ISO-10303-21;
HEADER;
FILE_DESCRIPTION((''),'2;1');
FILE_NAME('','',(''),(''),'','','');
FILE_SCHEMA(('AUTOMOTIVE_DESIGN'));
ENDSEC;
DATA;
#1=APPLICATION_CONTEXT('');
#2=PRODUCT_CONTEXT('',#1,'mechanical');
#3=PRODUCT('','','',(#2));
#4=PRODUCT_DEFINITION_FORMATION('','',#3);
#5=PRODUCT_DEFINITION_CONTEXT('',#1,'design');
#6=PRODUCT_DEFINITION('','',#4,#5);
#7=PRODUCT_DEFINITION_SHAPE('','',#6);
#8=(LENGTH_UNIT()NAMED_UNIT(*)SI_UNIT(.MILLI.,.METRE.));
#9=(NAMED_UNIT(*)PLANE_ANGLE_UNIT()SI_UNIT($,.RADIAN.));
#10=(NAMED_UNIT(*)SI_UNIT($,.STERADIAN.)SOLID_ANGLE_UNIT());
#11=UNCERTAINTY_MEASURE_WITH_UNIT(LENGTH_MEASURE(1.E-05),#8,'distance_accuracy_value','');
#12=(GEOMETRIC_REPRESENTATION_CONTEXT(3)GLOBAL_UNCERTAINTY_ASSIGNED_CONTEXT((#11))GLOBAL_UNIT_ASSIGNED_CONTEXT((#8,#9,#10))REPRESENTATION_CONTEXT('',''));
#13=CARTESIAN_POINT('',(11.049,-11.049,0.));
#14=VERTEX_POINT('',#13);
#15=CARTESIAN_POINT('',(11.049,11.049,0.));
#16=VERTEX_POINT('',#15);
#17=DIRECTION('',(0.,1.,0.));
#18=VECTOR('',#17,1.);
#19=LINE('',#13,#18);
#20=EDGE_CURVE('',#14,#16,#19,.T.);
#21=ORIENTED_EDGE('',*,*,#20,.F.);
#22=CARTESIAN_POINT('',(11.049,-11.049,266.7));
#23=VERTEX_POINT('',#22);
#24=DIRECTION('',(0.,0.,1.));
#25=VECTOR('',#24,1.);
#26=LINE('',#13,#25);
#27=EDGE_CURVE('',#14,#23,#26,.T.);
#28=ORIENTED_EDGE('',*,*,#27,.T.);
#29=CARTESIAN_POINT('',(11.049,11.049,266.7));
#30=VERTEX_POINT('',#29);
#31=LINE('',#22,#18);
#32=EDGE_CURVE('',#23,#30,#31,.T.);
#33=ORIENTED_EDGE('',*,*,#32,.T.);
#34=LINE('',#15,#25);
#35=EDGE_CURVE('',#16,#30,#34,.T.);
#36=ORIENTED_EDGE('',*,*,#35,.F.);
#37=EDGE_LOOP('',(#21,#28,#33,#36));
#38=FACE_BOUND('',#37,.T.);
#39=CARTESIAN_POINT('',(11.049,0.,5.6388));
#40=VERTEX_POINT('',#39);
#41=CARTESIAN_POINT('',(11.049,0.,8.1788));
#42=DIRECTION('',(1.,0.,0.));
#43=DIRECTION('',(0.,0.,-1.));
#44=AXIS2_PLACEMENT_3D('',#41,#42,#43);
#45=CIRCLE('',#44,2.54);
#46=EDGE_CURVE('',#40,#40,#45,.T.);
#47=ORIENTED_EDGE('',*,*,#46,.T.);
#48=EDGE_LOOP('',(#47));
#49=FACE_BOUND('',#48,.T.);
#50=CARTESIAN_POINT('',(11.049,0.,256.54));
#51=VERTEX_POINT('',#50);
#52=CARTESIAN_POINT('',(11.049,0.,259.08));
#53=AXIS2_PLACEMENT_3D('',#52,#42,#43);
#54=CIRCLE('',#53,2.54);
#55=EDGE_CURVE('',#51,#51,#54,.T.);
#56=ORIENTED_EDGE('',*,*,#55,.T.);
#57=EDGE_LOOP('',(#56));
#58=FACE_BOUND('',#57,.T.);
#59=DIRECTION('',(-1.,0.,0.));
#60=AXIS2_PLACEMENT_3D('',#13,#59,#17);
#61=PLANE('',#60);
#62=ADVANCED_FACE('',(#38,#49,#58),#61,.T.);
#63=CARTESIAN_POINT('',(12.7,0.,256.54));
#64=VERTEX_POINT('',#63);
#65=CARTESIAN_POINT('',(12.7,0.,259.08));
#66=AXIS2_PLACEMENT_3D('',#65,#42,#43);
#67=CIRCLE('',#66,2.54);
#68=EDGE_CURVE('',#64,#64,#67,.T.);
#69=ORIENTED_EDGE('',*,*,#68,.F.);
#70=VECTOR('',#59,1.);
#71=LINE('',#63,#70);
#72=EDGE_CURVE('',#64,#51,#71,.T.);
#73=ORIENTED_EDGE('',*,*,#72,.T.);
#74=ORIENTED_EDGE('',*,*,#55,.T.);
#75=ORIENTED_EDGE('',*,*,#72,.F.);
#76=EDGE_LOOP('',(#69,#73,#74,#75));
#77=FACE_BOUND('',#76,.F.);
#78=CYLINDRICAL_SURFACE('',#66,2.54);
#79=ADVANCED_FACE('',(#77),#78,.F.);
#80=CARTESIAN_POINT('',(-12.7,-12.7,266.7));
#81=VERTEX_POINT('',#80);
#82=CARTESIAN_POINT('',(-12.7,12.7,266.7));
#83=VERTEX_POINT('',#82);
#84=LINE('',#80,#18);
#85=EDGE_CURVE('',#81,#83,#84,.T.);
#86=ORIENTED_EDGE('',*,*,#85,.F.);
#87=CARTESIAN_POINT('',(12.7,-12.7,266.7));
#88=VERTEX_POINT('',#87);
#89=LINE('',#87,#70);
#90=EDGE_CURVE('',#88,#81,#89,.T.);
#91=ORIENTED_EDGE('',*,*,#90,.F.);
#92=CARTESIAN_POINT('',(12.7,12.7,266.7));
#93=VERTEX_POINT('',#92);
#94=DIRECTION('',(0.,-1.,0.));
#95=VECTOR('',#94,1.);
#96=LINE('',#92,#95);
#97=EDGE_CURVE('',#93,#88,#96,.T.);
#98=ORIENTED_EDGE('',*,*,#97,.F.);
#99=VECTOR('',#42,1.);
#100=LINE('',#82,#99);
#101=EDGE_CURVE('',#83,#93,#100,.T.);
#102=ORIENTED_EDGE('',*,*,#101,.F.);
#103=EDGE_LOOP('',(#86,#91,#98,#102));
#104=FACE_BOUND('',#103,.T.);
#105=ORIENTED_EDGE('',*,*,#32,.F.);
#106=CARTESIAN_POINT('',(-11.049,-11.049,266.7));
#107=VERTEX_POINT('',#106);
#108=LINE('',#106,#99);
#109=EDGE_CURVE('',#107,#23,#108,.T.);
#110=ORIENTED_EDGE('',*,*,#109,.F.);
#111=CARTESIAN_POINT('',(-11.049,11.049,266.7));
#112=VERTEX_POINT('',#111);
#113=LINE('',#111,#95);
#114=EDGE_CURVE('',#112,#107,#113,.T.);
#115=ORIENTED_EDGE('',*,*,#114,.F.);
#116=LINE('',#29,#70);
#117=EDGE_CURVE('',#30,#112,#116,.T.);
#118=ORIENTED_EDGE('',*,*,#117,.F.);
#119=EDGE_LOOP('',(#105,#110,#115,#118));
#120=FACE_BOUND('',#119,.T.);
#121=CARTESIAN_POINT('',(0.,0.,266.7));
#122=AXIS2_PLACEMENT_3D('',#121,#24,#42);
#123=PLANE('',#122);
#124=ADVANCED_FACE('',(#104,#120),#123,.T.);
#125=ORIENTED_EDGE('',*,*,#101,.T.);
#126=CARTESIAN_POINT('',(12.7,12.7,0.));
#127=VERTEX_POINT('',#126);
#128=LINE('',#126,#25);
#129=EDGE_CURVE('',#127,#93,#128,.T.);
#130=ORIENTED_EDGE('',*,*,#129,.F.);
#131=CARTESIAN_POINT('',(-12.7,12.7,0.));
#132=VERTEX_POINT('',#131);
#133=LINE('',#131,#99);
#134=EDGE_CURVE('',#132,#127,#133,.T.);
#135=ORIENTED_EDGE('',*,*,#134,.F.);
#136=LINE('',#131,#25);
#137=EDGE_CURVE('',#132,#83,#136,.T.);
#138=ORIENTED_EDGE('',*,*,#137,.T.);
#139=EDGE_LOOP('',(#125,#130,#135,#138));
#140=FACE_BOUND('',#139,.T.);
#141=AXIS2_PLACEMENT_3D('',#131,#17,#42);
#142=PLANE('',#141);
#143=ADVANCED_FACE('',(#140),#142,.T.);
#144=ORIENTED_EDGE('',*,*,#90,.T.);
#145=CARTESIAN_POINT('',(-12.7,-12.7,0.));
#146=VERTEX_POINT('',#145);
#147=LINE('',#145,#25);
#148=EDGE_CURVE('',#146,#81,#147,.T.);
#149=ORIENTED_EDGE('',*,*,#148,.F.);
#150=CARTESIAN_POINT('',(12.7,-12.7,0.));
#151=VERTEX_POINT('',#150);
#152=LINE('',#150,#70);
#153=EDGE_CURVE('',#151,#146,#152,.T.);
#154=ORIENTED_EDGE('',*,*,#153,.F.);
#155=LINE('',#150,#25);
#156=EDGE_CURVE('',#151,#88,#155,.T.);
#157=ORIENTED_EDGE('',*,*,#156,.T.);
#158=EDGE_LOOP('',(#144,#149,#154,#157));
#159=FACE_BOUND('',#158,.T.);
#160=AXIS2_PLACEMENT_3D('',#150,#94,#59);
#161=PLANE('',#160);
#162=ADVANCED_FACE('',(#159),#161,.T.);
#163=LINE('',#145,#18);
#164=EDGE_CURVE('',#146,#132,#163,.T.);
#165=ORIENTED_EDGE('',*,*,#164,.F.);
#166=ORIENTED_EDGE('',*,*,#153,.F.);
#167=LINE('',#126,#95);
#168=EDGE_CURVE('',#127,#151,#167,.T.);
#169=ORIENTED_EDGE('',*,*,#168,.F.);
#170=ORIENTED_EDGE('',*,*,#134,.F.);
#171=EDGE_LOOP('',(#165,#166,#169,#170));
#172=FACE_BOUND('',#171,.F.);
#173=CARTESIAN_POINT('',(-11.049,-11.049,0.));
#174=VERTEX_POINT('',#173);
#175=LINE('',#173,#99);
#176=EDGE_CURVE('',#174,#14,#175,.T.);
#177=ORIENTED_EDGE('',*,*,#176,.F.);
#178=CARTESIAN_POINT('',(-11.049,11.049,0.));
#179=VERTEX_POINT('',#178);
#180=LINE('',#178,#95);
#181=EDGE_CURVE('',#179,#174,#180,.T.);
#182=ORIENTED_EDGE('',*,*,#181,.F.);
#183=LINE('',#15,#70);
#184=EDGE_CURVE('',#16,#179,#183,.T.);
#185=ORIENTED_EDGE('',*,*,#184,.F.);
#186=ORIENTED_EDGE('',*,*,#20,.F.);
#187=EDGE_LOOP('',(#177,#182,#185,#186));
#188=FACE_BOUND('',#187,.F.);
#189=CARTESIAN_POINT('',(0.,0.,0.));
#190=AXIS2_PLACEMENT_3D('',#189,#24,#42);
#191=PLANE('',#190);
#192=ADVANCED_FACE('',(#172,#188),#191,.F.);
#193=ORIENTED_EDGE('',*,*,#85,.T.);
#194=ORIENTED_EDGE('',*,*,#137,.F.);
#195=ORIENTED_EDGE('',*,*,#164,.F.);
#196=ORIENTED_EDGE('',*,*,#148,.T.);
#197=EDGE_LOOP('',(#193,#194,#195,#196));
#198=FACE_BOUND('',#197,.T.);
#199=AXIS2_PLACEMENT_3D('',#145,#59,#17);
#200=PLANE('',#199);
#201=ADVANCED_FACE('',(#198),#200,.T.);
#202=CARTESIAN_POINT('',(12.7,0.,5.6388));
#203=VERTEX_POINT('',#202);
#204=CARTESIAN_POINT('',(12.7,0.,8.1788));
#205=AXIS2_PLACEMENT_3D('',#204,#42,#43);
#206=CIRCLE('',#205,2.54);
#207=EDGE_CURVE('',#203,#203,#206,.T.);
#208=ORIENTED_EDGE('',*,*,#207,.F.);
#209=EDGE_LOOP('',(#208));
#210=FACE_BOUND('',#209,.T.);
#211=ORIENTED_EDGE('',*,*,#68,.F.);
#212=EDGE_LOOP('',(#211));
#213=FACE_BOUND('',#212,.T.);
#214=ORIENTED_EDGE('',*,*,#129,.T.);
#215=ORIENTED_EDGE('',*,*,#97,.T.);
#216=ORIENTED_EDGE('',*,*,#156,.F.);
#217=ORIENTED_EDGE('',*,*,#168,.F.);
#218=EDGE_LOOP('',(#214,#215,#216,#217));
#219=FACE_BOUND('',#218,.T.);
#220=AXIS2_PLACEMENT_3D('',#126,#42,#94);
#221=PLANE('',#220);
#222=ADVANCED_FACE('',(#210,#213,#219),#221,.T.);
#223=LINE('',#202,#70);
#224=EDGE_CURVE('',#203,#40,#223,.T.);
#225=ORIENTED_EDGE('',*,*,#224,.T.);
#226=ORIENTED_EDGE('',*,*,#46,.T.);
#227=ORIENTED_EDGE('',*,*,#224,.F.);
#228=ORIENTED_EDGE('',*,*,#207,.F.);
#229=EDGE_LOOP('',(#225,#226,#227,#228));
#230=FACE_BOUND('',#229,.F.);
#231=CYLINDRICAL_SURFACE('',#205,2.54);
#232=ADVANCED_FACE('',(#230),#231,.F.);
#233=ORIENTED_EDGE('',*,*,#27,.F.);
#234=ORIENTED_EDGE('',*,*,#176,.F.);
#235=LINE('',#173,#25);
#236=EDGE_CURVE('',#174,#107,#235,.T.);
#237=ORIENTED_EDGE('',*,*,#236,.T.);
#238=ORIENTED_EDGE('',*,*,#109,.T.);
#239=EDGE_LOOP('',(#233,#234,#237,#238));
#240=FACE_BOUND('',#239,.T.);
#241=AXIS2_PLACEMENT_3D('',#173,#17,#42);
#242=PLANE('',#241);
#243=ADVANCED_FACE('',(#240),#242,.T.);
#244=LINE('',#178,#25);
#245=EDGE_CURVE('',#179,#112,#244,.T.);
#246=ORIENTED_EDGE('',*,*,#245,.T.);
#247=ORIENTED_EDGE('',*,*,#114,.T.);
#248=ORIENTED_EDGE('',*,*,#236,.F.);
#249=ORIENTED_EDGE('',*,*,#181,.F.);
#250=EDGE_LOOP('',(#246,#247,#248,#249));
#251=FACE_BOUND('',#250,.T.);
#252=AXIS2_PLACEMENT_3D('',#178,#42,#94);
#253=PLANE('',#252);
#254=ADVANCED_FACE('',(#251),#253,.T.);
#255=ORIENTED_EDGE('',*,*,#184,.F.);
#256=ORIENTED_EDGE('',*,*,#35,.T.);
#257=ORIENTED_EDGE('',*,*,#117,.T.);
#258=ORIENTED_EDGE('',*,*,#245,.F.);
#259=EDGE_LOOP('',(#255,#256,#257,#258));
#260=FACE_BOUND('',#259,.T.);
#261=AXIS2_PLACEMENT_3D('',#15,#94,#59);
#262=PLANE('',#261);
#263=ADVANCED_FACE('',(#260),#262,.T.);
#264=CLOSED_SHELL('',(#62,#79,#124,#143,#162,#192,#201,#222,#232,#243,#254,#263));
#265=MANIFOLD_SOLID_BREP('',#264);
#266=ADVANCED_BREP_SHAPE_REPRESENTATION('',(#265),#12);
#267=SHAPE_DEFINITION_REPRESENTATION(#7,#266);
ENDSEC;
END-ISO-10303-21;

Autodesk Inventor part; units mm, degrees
ref_plane "YZ Plane" through (0, 0, 0) normal (1, 0, 0) x (0, 1, 0)
ref_plane "XZ Plane" through (0, 0, 0) normal (0, 1, 0) x (-1, 0, 0)
ref_plane "XY Plane" through (0, 0, 0) normal (0, 0, 1) x (1, 0, 0)
sketch "Sketch1" plane through (0, 0, 0) normal (0, 0, 1) x (1, 0, 0)
  line L0 (12.7, -12.7) -> (-12.7, -12.7)
  line L1 (-12.7, -12.7) -> (-12.7, 12.7)
  line L2 (-12.7, 12.7) -> (12.7, 12.7)
  line L3 (12.7, 12.7) -> (12.7, -12.7)
  line L4 (12.7, -12.7) -> (-12.7, 12.7) construction
  line L5 (-12.7, -12.7) -> (12.7, 12.7) construction
  line L6 (11.049, 11.049) -> (-11.049, 11.049)
  line L7 (-11.049, 11.049) -> (-11.049, -11.049)
  line L8 (-11.049, -11.049) -> (11.049, -11.049)
  line L9 (11.049, -11.049) -> (11.049, 11.049)
  line L10 (11.049, 11.049) -> (-11.049, -11.049) construction
  line L11 (-11.049, 11.049) -> (11.049, -11.049) construction
  point P0 (0, 0)
  dimension "d0" = 25.4
  dimension "d1" = 25.4
  dimension "d2" = 1.651
  dimension "d3" = 1.651
extrude "Extrusion1" add sketch "Sketch1" along normal blind 266.7
sketch "Sketch2" plane through (12.7, -12.7, 0) normal (1, 0, 0) x (0, 0, -1)
  circle A0 centre (-8.1788, 12.7) radius 2.54
  circle A1 centre (-259.08, 12.7) radius 2.54
  line L0 (0, 25.4) -> (0, 0) projected
  line L1 (-266.7, 0) -> (-266.7, 25.4) projected
  line L2 (0, 0) -> (-266.7, 0) projected
  point P0 (0, 12.7)
  dimension "d6" = 250.9012
  dimension "d7" = 5.08
  dimension "d8" = 5.08
  dimension "d15" = 12.7
  dimension "d16" = 12.7
  dimension "d17" = 7.62
extrude "Extrusion2" cut sketch "Sketch2" against normal blind 2.54
equation "\"d3\" = d2"
equation "\"d8\" = d7"
properties part number "push bar"
